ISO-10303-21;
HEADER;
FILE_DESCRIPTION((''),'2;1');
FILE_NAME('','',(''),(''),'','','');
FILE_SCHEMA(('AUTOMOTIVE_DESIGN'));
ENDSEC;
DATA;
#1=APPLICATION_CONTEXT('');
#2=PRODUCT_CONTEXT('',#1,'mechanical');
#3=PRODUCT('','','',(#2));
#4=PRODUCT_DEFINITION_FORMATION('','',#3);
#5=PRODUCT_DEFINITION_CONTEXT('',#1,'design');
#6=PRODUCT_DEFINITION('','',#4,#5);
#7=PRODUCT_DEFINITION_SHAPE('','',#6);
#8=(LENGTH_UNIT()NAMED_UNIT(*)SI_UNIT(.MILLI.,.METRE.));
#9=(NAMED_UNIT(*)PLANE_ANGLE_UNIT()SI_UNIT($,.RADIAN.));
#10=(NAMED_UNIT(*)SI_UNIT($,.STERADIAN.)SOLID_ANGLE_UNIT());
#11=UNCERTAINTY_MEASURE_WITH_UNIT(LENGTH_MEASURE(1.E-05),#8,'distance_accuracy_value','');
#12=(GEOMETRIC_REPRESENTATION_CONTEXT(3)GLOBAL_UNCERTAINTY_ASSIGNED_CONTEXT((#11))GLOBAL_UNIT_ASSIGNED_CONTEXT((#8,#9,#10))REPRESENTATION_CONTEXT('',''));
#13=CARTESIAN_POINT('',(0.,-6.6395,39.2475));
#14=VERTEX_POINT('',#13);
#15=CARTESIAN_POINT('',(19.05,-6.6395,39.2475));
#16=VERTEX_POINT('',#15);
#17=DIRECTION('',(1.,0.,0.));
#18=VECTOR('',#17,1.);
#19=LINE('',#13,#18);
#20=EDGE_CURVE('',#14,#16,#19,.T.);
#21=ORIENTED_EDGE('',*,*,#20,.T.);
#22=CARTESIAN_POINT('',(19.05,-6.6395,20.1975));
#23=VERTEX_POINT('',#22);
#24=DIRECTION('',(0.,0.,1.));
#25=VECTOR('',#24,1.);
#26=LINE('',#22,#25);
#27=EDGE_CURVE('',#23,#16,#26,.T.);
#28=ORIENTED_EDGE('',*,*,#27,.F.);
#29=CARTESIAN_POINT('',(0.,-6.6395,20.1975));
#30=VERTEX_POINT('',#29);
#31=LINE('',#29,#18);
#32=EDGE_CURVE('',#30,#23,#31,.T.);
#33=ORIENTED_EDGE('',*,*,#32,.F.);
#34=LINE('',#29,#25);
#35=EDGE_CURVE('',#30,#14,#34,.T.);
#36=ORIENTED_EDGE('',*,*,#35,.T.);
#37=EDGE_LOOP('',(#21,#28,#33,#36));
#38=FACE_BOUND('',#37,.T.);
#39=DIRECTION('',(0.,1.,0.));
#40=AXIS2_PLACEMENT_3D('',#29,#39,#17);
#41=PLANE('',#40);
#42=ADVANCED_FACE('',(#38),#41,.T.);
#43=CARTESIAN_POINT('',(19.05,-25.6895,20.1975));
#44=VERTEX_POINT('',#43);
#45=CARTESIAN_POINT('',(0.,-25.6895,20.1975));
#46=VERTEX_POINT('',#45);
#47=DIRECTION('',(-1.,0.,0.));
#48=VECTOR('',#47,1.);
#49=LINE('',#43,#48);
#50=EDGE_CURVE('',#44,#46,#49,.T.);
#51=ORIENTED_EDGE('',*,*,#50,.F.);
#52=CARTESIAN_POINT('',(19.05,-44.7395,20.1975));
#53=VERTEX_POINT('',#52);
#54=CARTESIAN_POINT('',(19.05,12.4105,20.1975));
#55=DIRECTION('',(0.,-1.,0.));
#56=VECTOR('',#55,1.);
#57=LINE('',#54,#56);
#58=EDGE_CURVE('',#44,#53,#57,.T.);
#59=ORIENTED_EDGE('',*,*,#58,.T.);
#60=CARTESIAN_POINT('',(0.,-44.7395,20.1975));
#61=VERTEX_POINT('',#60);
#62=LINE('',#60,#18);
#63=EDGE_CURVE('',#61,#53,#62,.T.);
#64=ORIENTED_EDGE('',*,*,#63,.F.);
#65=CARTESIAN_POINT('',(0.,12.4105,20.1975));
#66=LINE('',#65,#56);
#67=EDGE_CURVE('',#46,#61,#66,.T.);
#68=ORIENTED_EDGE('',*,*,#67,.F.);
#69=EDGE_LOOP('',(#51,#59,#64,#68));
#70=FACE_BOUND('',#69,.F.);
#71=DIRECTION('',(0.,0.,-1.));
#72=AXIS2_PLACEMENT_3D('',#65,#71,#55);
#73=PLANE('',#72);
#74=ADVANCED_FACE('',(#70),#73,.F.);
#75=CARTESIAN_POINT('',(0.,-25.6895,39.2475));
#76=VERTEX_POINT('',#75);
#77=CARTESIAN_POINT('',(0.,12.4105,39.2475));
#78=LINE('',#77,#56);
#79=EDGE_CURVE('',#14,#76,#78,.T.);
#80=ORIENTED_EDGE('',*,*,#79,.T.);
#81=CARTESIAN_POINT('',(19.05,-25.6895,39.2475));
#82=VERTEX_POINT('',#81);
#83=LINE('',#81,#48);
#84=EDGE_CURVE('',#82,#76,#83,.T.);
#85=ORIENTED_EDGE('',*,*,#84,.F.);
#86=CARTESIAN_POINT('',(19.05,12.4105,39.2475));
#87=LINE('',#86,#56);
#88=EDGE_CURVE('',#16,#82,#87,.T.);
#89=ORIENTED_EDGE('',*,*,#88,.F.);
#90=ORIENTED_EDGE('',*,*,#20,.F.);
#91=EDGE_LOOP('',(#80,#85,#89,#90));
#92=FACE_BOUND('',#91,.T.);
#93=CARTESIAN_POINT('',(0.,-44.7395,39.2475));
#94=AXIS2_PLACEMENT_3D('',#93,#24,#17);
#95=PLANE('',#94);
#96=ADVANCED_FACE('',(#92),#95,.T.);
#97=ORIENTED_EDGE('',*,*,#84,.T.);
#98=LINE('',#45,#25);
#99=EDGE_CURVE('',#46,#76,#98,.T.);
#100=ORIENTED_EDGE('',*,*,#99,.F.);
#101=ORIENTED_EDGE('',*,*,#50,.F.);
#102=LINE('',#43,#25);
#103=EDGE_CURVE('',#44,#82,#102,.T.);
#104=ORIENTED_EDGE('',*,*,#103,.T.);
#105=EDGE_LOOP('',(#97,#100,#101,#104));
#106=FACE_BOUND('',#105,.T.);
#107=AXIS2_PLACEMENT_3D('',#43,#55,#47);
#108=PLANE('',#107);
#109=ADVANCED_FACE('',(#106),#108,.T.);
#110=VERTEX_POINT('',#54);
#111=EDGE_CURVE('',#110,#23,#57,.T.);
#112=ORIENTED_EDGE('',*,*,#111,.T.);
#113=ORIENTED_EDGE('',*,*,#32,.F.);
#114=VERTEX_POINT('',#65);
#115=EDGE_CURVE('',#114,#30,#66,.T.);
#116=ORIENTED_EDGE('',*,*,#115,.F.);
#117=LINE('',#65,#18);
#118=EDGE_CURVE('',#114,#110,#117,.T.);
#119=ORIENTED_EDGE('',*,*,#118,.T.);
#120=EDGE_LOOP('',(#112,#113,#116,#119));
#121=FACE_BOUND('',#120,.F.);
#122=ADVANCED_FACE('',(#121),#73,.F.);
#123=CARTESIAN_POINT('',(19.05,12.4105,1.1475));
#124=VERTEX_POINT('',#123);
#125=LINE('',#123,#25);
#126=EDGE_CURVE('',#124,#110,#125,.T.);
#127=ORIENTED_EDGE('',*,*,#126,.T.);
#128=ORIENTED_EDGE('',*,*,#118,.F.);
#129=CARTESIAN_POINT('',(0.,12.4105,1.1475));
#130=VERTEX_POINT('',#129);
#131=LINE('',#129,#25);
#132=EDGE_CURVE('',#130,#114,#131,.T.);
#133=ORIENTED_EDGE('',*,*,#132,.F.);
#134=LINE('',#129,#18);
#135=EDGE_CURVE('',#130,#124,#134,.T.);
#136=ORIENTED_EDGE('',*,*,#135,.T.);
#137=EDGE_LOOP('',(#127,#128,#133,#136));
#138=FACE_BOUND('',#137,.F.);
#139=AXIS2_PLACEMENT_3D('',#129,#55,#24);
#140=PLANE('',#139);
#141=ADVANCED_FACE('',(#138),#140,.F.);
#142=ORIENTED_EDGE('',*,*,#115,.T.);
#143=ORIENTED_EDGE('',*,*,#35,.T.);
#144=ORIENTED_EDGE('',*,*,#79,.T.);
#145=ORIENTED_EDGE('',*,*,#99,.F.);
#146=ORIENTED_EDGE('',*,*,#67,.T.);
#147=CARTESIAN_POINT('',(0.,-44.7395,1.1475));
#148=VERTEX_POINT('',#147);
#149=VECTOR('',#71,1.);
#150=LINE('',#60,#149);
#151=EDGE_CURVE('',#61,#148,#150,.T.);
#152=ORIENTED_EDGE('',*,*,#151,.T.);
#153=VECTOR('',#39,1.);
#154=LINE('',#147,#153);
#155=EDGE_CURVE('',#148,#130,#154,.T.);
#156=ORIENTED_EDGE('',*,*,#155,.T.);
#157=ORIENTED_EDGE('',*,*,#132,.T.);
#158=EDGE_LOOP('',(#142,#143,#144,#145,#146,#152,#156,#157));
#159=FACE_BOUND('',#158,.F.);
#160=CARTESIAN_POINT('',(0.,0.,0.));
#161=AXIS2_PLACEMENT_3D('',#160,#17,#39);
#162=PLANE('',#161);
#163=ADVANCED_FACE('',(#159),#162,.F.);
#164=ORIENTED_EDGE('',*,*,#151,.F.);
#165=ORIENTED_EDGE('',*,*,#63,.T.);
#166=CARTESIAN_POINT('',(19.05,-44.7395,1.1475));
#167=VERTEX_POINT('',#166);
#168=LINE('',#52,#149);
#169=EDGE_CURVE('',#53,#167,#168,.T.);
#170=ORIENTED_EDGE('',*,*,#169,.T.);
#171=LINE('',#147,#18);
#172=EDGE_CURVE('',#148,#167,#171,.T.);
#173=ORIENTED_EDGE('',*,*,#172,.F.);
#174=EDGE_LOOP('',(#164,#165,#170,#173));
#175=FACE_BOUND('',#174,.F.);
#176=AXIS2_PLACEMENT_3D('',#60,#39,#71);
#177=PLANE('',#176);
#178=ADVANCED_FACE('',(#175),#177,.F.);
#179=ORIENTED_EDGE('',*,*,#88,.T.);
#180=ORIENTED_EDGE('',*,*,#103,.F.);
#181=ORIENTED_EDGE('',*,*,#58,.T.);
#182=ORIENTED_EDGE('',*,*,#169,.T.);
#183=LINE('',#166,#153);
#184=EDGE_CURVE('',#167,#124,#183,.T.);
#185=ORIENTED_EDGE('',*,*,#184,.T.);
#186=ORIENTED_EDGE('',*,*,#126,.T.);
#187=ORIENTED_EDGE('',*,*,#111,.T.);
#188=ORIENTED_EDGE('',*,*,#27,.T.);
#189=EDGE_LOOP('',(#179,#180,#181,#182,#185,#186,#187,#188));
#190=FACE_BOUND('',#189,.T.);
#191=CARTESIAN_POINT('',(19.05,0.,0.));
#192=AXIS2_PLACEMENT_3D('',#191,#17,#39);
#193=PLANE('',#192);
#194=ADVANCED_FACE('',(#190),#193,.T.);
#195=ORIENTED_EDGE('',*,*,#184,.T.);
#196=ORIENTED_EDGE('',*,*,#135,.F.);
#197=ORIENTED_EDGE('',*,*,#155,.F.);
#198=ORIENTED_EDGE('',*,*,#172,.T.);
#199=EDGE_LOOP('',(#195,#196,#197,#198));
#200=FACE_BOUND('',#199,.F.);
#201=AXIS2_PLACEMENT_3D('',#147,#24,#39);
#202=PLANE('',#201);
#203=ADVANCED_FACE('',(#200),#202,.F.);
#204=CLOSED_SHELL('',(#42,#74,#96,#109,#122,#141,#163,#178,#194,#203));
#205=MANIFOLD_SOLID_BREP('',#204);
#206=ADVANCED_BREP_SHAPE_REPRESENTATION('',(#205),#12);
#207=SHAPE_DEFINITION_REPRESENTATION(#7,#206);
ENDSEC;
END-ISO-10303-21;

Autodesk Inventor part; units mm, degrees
ref_plane "YZ Plane" through (0, 0, 0) normal (1, 0, 0) x (0, 1, 0)
ref_plane "XZ Plane" through (0, 0, 0) normal (0, 1, 0) x (-1, 0, 0)
ref_plane "XY Plane" through (0, 0, 0) normal (0, 0, 1) x (1, 0, 0)
sketch "Sketch1" plane through (0, 0, 0) normal (1, 0, 0) x (0, 1, 0)
  line L0 (12.4105, 20.1975) -> (-44.7395, 20.1975)
  line L1 (-44.7395, 20.1975) -> (-44.7395, 1.1475)
  line L2 (-44.7395, 1.1475) -> (12.4105, 1.1475)
  line L3 (12.4105, 1.1475) -> (12.4105, 20.1975)
  point P0 (0, 0)
  dimension "d0" = 57.15
  dimension "d1" = 19.05
extrude "Extrusion1" add sketch "Sketch1" along normal blind 19.05
sketch "Sketch2" plane through (0, -44.7395, 20.1975) normal (0, 0, 1) x (1, 0, 0)
  line L0 (0, 57.15) -> (19.05, 57.15) projected
  line L1 (0, 57.15) -> (0, 38.1)
  line L2 (0, 57.15) -> (0, 0) projected
  line L3 (19.05, 57.15) -> (19.05, 0) projected
  line L4 (0, 38.1) -> (19.05, 38.1)
  line L5 (19.05, 38.1) -> (19.05, 19.05)
  line L6 (19.05, 19.05) -> (0, 19.05)
  line L7 (0, 19.05) -> (0, 38.1)
  point P0 (0, 44.7395)
  dimension "d4" = 19.05
  dimension "d5" = 19.05
extrude "Extrusion2" add sketch "Sketch2" along normal blind 19.05 contours L4 L3 L6 L2
properties part number "Purple part"
